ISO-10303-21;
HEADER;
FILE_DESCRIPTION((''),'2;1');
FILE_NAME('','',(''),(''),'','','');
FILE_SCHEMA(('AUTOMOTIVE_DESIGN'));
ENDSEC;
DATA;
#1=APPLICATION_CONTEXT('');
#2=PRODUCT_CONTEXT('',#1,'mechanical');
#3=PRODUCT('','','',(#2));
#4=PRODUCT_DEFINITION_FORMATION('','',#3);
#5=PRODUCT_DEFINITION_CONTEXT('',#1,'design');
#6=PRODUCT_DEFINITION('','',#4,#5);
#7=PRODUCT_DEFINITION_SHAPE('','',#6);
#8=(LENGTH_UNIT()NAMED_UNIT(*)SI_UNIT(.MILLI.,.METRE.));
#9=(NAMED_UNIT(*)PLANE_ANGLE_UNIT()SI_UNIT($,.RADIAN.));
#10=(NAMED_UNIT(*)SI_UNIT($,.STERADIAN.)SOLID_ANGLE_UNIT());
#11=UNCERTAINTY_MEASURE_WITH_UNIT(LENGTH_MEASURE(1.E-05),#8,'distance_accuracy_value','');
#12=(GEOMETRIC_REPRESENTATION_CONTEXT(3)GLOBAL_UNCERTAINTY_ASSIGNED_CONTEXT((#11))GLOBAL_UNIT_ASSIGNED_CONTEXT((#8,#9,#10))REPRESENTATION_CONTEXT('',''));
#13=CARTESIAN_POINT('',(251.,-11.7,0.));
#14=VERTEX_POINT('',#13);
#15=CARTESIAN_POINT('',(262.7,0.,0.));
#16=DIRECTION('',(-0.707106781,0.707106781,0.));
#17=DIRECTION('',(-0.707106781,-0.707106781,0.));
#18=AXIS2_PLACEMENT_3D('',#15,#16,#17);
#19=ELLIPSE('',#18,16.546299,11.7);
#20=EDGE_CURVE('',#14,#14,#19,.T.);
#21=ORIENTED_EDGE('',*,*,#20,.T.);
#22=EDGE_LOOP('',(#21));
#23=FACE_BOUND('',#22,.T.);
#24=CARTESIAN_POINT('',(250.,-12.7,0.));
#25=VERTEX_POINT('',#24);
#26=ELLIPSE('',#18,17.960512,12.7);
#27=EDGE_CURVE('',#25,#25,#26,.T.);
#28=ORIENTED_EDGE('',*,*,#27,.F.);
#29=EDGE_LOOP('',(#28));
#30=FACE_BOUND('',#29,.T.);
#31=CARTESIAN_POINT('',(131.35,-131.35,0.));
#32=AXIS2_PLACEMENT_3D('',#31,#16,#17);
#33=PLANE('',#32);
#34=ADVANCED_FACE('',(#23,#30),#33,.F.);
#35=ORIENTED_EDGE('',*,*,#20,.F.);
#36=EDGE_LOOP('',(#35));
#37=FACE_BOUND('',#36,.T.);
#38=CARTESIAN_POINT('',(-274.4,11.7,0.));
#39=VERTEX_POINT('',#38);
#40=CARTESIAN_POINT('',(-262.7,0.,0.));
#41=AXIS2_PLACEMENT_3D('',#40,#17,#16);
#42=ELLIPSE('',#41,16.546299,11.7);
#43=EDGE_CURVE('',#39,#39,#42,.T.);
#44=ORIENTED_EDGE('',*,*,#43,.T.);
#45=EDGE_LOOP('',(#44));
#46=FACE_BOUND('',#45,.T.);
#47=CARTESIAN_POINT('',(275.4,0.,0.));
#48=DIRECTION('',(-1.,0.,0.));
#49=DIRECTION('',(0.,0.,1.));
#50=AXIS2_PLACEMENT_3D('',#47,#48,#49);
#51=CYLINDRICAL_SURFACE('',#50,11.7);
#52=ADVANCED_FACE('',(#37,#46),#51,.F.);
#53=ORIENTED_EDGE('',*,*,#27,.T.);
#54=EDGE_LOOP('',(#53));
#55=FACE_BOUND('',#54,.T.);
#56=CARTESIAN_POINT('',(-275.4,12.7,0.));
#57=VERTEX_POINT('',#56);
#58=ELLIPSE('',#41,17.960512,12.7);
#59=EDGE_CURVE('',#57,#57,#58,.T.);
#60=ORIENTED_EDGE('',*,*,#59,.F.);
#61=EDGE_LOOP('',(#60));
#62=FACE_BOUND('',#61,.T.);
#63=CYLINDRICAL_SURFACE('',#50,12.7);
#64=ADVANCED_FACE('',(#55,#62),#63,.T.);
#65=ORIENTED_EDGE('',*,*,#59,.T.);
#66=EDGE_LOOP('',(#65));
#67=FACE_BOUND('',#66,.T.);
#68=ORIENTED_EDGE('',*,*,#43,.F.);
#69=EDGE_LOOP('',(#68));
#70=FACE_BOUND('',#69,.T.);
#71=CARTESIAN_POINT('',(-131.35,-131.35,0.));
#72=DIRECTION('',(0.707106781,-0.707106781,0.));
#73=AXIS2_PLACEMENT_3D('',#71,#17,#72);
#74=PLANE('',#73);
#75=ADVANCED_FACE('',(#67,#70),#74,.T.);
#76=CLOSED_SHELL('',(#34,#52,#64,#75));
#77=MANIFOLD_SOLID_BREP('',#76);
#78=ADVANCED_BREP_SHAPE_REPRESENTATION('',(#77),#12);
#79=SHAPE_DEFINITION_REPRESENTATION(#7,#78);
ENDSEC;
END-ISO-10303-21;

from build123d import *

# Parameters (mm, degrees)
SKETCH1_R           = 12.7
SKETCH1_R_2         = 11.7
EXTRUDE_THIN1_DEPTH = 275.4


with BuildPart() as part:
    # Sketch1 → Extrude-Thin1 (new, symmetric)
    with BuildSketch(Plane(origin=(0, 0, 0), x_dir=(0, 0, -1), z_dir=(1, 0, 0))):
        Circle(SKETCH1_R)
        Circle(SKETCH1_R_2, mode=Mode.SUBTRACT)
    extrude(amount=EXTRUDE_THIN1_DEPTH, both=True)

    # SurfaceCut1
    split(bisect_by=Plane(origin=(131.35, -131.35, 0), x_dir=(-0.7071067811865472, -0.7071067811865478, 0), z_dir=(-0.7071067811865478, 0.7071067811865472, 0)), keep=Keep.TOP)

    # SurfaceCut2
    split(bisect_by=Plane(origin=(-131.35, -131.35, 0), x_dir=(0.7071067811865515, -0.7071067811865436, 0), z_dir=(-0.7071067811865436, -0.7071067811865515, 0)), keep=Keep.BOTTOM)


solid = part.part
